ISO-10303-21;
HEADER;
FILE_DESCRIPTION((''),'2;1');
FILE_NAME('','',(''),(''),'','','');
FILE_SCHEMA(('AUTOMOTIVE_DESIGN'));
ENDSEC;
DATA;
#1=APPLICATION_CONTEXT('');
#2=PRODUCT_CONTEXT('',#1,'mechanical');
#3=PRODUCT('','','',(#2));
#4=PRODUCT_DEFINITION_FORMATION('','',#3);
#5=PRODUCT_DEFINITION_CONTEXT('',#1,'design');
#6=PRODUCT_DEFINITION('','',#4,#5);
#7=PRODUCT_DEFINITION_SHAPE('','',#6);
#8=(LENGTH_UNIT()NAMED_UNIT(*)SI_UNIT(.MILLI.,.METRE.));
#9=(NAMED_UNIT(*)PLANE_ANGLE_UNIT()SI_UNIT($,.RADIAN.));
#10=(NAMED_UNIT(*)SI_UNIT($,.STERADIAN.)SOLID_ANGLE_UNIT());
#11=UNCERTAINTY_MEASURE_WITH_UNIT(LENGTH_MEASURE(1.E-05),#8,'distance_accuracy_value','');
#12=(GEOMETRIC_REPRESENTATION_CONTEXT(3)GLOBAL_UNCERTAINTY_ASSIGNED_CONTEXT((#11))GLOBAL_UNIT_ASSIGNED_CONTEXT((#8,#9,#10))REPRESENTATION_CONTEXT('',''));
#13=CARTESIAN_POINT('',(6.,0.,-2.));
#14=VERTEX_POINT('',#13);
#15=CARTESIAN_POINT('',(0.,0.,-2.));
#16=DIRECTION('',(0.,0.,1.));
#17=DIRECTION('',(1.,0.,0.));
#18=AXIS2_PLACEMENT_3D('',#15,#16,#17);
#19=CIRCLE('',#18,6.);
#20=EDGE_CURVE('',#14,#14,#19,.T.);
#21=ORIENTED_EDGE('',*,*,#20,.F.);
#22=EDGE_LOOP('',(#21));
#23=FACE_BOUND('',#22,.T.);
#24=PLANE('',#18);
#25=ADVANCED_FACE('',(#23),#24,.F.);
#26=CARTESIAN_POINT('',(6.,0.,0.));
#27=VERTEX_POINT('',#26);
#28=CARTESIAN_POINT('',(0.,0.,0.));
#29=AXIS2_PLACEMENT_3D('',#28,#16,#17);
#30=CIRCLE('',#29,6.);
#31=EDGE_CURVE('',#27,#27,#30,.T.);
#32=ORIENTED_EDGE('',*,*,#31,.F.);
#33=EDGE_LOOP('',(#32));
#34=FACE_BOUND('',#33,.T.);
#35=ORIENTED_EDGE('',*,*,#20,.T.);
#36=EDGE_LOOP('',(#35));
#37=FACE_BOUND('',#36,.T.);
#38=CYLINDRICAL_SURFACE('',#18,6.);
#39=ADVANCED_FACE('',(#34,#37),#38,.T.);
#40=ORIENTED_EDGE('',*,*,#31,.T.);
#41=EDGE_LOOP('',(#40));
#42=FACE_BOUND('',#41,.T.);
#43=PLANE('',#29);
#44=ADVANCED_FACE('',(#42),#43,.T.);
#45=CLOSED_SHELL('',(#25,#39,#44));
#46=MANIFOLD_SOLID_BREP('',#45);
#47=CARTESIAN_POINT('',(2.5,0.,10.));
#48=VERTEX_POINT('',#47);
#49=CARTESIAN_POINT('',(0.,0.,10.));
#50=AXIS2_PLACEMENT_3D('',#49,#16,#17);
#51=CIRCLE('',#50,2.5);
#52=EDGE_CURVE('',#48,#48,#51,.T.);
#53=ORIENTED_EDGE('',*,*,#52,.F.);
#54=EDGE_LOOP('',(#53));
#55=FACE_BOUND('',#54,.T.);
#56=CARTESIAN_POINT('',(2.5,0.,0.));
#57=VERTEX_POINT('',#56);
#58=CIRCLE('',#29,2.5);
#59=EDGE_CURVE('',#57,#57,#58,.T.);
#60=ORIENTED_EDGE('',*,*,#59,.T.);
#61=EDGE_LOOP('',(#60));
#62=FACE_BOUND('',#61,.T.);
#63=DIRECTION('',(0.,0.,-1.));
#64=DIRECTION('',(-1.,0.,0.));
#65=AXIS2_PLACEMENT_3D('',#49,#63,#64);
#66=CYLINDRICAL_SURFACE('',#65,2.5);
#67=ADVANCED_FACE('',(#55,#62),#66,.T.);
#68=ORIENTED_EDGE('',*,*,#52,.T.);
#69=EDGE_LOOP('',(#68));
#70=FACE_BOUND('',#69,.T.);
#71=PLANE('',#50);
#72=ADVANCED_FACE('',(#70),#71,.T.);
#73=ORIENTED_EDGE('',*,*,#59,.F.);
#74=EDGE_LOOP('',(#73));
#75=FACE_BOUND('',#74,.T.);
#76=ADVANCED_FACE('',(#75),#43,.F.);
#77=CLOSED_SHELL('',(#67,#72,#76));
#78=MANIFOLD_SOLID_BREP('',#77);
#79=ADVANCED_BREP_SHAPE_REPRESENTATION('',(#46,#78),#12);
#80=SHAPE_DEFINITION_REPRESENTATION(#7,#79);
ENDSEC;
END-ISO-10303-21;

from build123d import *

# Parameters (mm, degrees)
SKETCH1_R           = 2.5
BOSS_EXTRUDE1_DEPTH = 10
SKETCH1_4_R         = 6
BOSS_EXTRUDE2_DEPTH = 2


with BuildPart() as part:
    # Sketch1 → Boss-Extrude1 (new body)
    with BuildSketch(Plane.XY):
        Circle(SKETCH1_R)
    extrude(amount=BOSS_EXTRUDE1_DEPTH)


with BuildPart() as body_2:
    # Sketch1<4> → Boss-Extrude2 (new body)
    with BuildSketch(Plane.XY):
        Circle(SKETCH1_4_R)
    extrude(amount=-BOSS_EXTRUDE2_DEPTH)


solid = Compound([part.part, body_2.part])
